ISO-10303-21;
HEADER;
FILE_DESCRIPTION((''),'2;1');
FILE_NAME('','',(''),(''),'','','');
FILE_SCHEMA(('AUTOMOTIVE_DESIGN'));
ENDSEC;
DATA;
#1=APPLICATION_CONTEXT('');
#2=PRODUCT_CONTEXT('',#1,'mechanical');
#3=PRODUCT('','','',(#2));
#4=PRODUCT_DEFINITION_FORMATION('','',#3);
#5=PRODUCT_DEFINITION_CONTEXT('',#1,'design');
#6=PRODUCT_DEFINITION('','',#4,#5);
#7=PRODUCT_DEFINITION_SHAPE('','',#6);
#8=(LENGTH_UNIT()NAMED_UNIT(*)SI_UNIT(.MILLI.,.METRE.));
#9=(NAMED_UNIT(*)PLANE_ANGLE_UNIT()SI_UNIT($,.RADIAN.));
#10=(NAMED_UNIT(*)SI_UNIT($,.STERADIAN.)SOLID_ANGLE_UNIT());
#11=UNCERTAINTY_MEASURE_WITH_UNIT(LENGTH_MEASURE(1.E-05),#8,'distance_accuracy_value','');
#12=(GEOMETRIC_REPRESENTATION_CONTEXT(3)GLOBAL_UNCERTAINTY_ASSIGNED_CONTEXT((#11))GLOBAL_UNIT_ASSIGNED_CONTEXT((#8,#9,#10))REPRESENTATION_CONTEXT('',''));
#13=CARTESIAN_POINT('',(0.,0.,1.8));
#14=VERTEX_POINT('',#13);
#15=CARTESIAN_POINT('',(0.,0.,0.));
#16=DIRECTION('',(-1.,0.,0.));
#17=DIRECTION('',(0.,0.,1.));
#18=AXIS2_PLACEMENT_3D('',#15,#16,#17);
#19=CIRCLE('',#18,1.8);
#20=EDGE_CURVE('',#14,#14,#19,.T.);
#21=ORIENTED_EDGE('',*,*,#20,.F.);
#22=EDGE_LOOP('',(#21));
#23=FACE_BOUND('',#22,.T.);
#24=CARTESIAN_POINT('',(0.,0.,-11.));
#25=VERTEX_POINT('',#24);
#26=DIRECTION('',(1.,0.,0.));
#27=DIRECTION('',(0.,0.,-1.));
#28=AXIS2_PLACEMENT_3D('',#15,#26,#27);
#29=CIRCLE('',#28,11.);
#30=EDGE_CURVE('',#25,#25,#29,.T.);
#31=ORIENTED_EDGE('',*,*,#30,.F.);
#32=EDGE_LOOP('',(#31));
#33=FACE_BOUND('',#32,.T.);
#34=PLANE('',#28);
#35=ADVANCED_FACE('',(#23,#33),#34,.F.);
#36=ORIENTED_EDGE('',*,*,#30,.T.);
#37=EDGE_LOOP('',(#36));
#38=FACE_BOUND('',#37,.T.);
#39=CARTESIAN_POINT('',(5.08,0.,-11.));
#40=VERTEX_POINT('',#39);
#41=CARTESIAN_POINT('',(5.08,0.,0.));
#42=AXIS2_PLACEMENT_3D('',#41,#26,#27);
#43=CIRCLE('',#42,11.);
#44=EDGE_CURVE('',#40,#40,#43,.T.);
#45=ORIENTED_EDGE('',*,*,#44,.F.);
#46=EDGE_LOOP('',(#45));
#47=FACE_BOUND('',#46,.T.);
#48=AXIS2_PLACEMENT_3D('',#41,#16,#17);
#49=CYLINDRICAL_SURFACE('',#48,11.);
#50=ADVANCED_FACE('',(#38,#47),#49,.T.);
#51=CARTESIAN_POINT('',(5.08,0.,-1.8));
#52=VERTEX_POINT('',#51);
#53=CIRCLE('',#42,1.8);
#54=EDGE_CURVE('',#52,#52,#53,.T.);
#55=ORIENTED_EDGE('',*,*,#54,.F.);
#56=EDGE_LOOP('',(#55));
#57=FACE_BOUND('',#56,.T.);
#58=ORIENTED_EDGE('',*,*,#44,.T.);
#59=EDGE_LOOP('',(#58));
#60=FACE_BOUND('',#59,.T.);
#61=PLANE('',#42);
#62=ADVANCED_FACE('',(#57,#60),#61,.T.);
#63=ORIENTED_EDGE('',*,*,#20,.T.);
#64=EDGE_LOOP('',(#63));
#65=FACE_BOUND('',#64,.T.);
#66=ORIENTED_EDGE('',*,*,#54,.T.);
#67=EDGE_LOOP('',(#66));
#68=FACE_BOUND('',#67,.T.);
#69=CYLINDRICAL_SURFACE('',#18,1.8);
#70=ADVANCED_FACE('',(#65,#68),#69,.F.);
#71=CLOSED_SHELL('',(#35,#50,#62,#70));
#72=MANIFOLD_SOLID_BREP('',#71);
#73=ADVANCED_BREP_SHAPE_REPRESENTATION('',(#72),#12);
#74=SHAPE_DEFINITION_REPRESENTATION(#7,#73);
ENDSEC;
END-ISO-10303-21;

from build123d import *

# Parameters (mm, degrees)
SKETCH2_R                = 11
BOSS_EXTRUDE1_DEPTH      = 5.08
M3_CLEARANCE_HOLE1_D     = 3.6
M3_CLEARANCE_HOLE1_DEPTH = 5.08


with BuildPart() as part:
    # Sketch2 → Boss-Extrude1 (new body)
    with BuildSketch(Plane(origin=(0, 0, 0), x_dir=(0, 0, -1), z_dir=(1, 0, 0))):
        Circle(SKETCH2_R)
    extrude(amount=BOSS_EXTRUDE1_DEPTH)

    # M3 Clearance Hole1
    with Locations(Plane.ZY):
        with Locations((0, 0)):
            Hole(M3_CLEARANCE_HOLE1_D / 2, depth=M3_CLEARANCE_HOLE1_DEPTH)


solid = part.part
